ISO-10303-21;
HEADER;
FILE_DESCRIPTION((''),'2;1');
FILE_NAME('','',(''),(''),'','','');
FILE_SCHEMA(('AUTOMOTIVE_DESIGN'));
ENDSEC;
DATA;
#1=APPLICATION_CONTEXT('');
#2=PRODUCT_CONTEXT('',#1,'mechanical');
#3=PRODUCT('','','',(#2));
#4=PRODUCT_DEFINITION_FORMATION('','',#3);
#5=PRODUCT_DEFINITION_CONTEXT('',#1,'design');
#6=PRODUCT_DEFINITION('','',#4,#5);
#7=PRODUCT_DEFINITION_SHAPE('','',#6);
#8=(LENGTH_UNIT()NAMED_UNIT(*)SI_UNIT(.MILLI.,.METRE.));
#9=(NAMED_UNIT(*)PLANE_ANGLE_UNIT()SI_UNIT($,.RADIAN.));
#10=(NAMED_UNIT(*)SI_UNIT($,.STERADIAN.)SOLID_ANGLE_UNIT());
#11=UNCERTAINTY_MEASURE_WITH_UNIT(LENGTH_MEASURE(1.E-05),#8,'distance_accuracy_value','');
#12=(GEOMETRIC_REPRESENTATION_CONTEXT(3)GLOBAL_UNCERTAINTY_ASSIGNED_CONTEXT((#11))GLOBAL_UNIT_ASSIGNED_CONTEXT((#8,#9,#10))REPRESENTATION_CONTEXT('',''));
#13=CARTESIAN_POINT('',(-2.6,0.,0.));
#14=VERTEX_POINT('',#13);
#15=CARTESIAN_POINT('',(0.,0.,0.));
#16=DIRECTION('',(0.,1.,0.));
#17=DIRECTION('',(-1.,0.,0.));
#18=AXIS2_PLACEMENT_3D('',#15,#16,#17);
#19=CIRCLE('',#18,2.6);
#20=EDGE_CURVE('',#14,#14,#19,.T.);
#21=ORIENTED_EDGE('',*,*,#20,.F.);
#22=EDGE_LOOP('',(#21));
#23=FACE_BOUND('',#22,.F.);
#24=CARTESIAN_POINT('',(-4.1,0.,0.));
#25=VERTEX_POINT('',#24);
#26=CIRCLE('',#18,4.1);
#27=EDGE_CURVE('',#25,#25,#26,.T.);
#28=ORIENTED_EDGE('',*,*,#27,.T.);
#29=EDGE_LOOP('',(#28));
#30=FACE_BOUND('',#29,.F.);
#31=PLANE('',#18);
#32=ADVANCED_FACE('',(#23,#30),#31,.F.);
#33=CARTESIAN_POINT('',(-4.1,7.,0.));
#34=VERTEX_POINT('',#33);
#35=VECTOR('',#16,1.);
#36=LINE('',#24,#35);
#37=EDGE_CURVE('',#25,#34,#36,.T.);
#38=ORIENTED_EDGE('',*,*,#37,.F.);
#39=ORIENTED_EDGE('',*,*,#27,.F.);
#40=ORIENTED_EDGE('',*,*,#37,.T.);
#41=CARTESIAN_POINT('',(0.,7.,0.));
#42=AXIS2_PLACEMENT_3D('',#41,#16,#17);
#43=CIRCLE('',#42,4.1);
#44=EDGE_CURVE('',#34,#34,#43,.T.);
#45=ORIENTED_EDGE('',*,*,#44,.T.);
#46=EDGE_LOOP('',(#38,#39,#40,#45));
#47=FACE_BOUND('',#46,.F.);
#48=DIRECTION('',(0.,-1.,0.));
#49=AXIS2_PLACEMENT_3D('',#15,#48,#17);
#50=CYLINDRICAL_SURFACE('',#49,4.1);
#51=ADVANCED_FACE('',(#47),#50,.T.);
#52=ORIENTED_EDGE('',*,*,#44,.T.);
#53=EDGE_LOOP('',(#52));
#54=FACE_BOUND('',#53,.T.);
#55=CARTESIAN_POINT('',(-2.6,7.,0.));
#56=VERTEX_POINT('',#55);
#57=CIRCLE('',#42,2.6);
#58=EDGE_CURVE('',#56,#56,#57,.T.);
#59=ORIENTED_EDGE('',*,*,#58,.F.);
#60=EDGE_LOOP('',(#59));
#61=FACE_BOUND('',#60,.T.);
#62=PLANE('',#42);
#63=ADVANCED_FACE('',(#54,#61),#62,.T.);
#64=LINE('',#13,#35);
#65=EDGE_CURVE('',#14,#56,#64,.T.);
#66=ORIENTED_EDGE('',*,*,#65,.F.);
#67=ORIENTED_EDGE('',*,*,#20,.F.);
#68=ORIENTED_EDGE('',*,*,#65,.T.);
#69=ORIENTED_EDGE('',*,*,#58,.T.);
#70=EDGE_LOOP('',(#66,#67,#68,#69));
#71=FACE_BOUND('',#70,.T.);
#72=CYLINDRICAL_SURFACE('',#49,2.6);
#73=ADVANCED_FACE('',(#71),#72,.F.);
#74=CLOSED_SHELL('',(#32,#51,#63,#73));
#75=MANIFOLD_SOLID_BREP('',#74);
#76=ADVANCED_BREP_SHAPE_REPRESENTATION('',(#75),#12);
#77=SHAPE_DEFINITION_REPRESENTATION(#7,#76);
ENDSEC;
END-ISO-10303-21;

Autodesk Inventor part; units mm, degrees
ref_plane "YZ Plane" through (0, 0, 0) normal (1, 0, 0) x (0, 1, 0)
ref_plane "XZ Plane" through (0, 0, 0) normal (0, 1, 0) x (-1, 0, 0)
ref_plane "XY Plane" through (0, 0, 0) normal (0, 0, 1) x (1, 0, 0)
sketch "Эскиз1" plane through (0, 0, 0) normal (0, 1, 0) x (-1, 0, 0)
  circle A0 centre (0, 0) radius 4.1
  circle A1 centre (0, 0) radius 2.6
  dimension "d0" = 8.2
  dimension "d1" = 5.2
extrude "Выдавливание1" add sketch "Эскиз1" along normal blind 7
sketch "Эскиз2" plane through (0, 0, 0) normal (0, -1, 0) x (1, 0, 0)
  line L0 (-1.5, 2) -> (1.5, 2) projected
  line L1 (-1.4448, 2.0403) -> (1.4447, 2.0403) projected
  line L2 (1.4447, 2.0403) -> (3.9326, 2.0403)
  line L3 (1.4447, 2.0403) -> (-4.5016, 2.0402)
  circle A0 centre (0, 0) radius 4.1 projected
